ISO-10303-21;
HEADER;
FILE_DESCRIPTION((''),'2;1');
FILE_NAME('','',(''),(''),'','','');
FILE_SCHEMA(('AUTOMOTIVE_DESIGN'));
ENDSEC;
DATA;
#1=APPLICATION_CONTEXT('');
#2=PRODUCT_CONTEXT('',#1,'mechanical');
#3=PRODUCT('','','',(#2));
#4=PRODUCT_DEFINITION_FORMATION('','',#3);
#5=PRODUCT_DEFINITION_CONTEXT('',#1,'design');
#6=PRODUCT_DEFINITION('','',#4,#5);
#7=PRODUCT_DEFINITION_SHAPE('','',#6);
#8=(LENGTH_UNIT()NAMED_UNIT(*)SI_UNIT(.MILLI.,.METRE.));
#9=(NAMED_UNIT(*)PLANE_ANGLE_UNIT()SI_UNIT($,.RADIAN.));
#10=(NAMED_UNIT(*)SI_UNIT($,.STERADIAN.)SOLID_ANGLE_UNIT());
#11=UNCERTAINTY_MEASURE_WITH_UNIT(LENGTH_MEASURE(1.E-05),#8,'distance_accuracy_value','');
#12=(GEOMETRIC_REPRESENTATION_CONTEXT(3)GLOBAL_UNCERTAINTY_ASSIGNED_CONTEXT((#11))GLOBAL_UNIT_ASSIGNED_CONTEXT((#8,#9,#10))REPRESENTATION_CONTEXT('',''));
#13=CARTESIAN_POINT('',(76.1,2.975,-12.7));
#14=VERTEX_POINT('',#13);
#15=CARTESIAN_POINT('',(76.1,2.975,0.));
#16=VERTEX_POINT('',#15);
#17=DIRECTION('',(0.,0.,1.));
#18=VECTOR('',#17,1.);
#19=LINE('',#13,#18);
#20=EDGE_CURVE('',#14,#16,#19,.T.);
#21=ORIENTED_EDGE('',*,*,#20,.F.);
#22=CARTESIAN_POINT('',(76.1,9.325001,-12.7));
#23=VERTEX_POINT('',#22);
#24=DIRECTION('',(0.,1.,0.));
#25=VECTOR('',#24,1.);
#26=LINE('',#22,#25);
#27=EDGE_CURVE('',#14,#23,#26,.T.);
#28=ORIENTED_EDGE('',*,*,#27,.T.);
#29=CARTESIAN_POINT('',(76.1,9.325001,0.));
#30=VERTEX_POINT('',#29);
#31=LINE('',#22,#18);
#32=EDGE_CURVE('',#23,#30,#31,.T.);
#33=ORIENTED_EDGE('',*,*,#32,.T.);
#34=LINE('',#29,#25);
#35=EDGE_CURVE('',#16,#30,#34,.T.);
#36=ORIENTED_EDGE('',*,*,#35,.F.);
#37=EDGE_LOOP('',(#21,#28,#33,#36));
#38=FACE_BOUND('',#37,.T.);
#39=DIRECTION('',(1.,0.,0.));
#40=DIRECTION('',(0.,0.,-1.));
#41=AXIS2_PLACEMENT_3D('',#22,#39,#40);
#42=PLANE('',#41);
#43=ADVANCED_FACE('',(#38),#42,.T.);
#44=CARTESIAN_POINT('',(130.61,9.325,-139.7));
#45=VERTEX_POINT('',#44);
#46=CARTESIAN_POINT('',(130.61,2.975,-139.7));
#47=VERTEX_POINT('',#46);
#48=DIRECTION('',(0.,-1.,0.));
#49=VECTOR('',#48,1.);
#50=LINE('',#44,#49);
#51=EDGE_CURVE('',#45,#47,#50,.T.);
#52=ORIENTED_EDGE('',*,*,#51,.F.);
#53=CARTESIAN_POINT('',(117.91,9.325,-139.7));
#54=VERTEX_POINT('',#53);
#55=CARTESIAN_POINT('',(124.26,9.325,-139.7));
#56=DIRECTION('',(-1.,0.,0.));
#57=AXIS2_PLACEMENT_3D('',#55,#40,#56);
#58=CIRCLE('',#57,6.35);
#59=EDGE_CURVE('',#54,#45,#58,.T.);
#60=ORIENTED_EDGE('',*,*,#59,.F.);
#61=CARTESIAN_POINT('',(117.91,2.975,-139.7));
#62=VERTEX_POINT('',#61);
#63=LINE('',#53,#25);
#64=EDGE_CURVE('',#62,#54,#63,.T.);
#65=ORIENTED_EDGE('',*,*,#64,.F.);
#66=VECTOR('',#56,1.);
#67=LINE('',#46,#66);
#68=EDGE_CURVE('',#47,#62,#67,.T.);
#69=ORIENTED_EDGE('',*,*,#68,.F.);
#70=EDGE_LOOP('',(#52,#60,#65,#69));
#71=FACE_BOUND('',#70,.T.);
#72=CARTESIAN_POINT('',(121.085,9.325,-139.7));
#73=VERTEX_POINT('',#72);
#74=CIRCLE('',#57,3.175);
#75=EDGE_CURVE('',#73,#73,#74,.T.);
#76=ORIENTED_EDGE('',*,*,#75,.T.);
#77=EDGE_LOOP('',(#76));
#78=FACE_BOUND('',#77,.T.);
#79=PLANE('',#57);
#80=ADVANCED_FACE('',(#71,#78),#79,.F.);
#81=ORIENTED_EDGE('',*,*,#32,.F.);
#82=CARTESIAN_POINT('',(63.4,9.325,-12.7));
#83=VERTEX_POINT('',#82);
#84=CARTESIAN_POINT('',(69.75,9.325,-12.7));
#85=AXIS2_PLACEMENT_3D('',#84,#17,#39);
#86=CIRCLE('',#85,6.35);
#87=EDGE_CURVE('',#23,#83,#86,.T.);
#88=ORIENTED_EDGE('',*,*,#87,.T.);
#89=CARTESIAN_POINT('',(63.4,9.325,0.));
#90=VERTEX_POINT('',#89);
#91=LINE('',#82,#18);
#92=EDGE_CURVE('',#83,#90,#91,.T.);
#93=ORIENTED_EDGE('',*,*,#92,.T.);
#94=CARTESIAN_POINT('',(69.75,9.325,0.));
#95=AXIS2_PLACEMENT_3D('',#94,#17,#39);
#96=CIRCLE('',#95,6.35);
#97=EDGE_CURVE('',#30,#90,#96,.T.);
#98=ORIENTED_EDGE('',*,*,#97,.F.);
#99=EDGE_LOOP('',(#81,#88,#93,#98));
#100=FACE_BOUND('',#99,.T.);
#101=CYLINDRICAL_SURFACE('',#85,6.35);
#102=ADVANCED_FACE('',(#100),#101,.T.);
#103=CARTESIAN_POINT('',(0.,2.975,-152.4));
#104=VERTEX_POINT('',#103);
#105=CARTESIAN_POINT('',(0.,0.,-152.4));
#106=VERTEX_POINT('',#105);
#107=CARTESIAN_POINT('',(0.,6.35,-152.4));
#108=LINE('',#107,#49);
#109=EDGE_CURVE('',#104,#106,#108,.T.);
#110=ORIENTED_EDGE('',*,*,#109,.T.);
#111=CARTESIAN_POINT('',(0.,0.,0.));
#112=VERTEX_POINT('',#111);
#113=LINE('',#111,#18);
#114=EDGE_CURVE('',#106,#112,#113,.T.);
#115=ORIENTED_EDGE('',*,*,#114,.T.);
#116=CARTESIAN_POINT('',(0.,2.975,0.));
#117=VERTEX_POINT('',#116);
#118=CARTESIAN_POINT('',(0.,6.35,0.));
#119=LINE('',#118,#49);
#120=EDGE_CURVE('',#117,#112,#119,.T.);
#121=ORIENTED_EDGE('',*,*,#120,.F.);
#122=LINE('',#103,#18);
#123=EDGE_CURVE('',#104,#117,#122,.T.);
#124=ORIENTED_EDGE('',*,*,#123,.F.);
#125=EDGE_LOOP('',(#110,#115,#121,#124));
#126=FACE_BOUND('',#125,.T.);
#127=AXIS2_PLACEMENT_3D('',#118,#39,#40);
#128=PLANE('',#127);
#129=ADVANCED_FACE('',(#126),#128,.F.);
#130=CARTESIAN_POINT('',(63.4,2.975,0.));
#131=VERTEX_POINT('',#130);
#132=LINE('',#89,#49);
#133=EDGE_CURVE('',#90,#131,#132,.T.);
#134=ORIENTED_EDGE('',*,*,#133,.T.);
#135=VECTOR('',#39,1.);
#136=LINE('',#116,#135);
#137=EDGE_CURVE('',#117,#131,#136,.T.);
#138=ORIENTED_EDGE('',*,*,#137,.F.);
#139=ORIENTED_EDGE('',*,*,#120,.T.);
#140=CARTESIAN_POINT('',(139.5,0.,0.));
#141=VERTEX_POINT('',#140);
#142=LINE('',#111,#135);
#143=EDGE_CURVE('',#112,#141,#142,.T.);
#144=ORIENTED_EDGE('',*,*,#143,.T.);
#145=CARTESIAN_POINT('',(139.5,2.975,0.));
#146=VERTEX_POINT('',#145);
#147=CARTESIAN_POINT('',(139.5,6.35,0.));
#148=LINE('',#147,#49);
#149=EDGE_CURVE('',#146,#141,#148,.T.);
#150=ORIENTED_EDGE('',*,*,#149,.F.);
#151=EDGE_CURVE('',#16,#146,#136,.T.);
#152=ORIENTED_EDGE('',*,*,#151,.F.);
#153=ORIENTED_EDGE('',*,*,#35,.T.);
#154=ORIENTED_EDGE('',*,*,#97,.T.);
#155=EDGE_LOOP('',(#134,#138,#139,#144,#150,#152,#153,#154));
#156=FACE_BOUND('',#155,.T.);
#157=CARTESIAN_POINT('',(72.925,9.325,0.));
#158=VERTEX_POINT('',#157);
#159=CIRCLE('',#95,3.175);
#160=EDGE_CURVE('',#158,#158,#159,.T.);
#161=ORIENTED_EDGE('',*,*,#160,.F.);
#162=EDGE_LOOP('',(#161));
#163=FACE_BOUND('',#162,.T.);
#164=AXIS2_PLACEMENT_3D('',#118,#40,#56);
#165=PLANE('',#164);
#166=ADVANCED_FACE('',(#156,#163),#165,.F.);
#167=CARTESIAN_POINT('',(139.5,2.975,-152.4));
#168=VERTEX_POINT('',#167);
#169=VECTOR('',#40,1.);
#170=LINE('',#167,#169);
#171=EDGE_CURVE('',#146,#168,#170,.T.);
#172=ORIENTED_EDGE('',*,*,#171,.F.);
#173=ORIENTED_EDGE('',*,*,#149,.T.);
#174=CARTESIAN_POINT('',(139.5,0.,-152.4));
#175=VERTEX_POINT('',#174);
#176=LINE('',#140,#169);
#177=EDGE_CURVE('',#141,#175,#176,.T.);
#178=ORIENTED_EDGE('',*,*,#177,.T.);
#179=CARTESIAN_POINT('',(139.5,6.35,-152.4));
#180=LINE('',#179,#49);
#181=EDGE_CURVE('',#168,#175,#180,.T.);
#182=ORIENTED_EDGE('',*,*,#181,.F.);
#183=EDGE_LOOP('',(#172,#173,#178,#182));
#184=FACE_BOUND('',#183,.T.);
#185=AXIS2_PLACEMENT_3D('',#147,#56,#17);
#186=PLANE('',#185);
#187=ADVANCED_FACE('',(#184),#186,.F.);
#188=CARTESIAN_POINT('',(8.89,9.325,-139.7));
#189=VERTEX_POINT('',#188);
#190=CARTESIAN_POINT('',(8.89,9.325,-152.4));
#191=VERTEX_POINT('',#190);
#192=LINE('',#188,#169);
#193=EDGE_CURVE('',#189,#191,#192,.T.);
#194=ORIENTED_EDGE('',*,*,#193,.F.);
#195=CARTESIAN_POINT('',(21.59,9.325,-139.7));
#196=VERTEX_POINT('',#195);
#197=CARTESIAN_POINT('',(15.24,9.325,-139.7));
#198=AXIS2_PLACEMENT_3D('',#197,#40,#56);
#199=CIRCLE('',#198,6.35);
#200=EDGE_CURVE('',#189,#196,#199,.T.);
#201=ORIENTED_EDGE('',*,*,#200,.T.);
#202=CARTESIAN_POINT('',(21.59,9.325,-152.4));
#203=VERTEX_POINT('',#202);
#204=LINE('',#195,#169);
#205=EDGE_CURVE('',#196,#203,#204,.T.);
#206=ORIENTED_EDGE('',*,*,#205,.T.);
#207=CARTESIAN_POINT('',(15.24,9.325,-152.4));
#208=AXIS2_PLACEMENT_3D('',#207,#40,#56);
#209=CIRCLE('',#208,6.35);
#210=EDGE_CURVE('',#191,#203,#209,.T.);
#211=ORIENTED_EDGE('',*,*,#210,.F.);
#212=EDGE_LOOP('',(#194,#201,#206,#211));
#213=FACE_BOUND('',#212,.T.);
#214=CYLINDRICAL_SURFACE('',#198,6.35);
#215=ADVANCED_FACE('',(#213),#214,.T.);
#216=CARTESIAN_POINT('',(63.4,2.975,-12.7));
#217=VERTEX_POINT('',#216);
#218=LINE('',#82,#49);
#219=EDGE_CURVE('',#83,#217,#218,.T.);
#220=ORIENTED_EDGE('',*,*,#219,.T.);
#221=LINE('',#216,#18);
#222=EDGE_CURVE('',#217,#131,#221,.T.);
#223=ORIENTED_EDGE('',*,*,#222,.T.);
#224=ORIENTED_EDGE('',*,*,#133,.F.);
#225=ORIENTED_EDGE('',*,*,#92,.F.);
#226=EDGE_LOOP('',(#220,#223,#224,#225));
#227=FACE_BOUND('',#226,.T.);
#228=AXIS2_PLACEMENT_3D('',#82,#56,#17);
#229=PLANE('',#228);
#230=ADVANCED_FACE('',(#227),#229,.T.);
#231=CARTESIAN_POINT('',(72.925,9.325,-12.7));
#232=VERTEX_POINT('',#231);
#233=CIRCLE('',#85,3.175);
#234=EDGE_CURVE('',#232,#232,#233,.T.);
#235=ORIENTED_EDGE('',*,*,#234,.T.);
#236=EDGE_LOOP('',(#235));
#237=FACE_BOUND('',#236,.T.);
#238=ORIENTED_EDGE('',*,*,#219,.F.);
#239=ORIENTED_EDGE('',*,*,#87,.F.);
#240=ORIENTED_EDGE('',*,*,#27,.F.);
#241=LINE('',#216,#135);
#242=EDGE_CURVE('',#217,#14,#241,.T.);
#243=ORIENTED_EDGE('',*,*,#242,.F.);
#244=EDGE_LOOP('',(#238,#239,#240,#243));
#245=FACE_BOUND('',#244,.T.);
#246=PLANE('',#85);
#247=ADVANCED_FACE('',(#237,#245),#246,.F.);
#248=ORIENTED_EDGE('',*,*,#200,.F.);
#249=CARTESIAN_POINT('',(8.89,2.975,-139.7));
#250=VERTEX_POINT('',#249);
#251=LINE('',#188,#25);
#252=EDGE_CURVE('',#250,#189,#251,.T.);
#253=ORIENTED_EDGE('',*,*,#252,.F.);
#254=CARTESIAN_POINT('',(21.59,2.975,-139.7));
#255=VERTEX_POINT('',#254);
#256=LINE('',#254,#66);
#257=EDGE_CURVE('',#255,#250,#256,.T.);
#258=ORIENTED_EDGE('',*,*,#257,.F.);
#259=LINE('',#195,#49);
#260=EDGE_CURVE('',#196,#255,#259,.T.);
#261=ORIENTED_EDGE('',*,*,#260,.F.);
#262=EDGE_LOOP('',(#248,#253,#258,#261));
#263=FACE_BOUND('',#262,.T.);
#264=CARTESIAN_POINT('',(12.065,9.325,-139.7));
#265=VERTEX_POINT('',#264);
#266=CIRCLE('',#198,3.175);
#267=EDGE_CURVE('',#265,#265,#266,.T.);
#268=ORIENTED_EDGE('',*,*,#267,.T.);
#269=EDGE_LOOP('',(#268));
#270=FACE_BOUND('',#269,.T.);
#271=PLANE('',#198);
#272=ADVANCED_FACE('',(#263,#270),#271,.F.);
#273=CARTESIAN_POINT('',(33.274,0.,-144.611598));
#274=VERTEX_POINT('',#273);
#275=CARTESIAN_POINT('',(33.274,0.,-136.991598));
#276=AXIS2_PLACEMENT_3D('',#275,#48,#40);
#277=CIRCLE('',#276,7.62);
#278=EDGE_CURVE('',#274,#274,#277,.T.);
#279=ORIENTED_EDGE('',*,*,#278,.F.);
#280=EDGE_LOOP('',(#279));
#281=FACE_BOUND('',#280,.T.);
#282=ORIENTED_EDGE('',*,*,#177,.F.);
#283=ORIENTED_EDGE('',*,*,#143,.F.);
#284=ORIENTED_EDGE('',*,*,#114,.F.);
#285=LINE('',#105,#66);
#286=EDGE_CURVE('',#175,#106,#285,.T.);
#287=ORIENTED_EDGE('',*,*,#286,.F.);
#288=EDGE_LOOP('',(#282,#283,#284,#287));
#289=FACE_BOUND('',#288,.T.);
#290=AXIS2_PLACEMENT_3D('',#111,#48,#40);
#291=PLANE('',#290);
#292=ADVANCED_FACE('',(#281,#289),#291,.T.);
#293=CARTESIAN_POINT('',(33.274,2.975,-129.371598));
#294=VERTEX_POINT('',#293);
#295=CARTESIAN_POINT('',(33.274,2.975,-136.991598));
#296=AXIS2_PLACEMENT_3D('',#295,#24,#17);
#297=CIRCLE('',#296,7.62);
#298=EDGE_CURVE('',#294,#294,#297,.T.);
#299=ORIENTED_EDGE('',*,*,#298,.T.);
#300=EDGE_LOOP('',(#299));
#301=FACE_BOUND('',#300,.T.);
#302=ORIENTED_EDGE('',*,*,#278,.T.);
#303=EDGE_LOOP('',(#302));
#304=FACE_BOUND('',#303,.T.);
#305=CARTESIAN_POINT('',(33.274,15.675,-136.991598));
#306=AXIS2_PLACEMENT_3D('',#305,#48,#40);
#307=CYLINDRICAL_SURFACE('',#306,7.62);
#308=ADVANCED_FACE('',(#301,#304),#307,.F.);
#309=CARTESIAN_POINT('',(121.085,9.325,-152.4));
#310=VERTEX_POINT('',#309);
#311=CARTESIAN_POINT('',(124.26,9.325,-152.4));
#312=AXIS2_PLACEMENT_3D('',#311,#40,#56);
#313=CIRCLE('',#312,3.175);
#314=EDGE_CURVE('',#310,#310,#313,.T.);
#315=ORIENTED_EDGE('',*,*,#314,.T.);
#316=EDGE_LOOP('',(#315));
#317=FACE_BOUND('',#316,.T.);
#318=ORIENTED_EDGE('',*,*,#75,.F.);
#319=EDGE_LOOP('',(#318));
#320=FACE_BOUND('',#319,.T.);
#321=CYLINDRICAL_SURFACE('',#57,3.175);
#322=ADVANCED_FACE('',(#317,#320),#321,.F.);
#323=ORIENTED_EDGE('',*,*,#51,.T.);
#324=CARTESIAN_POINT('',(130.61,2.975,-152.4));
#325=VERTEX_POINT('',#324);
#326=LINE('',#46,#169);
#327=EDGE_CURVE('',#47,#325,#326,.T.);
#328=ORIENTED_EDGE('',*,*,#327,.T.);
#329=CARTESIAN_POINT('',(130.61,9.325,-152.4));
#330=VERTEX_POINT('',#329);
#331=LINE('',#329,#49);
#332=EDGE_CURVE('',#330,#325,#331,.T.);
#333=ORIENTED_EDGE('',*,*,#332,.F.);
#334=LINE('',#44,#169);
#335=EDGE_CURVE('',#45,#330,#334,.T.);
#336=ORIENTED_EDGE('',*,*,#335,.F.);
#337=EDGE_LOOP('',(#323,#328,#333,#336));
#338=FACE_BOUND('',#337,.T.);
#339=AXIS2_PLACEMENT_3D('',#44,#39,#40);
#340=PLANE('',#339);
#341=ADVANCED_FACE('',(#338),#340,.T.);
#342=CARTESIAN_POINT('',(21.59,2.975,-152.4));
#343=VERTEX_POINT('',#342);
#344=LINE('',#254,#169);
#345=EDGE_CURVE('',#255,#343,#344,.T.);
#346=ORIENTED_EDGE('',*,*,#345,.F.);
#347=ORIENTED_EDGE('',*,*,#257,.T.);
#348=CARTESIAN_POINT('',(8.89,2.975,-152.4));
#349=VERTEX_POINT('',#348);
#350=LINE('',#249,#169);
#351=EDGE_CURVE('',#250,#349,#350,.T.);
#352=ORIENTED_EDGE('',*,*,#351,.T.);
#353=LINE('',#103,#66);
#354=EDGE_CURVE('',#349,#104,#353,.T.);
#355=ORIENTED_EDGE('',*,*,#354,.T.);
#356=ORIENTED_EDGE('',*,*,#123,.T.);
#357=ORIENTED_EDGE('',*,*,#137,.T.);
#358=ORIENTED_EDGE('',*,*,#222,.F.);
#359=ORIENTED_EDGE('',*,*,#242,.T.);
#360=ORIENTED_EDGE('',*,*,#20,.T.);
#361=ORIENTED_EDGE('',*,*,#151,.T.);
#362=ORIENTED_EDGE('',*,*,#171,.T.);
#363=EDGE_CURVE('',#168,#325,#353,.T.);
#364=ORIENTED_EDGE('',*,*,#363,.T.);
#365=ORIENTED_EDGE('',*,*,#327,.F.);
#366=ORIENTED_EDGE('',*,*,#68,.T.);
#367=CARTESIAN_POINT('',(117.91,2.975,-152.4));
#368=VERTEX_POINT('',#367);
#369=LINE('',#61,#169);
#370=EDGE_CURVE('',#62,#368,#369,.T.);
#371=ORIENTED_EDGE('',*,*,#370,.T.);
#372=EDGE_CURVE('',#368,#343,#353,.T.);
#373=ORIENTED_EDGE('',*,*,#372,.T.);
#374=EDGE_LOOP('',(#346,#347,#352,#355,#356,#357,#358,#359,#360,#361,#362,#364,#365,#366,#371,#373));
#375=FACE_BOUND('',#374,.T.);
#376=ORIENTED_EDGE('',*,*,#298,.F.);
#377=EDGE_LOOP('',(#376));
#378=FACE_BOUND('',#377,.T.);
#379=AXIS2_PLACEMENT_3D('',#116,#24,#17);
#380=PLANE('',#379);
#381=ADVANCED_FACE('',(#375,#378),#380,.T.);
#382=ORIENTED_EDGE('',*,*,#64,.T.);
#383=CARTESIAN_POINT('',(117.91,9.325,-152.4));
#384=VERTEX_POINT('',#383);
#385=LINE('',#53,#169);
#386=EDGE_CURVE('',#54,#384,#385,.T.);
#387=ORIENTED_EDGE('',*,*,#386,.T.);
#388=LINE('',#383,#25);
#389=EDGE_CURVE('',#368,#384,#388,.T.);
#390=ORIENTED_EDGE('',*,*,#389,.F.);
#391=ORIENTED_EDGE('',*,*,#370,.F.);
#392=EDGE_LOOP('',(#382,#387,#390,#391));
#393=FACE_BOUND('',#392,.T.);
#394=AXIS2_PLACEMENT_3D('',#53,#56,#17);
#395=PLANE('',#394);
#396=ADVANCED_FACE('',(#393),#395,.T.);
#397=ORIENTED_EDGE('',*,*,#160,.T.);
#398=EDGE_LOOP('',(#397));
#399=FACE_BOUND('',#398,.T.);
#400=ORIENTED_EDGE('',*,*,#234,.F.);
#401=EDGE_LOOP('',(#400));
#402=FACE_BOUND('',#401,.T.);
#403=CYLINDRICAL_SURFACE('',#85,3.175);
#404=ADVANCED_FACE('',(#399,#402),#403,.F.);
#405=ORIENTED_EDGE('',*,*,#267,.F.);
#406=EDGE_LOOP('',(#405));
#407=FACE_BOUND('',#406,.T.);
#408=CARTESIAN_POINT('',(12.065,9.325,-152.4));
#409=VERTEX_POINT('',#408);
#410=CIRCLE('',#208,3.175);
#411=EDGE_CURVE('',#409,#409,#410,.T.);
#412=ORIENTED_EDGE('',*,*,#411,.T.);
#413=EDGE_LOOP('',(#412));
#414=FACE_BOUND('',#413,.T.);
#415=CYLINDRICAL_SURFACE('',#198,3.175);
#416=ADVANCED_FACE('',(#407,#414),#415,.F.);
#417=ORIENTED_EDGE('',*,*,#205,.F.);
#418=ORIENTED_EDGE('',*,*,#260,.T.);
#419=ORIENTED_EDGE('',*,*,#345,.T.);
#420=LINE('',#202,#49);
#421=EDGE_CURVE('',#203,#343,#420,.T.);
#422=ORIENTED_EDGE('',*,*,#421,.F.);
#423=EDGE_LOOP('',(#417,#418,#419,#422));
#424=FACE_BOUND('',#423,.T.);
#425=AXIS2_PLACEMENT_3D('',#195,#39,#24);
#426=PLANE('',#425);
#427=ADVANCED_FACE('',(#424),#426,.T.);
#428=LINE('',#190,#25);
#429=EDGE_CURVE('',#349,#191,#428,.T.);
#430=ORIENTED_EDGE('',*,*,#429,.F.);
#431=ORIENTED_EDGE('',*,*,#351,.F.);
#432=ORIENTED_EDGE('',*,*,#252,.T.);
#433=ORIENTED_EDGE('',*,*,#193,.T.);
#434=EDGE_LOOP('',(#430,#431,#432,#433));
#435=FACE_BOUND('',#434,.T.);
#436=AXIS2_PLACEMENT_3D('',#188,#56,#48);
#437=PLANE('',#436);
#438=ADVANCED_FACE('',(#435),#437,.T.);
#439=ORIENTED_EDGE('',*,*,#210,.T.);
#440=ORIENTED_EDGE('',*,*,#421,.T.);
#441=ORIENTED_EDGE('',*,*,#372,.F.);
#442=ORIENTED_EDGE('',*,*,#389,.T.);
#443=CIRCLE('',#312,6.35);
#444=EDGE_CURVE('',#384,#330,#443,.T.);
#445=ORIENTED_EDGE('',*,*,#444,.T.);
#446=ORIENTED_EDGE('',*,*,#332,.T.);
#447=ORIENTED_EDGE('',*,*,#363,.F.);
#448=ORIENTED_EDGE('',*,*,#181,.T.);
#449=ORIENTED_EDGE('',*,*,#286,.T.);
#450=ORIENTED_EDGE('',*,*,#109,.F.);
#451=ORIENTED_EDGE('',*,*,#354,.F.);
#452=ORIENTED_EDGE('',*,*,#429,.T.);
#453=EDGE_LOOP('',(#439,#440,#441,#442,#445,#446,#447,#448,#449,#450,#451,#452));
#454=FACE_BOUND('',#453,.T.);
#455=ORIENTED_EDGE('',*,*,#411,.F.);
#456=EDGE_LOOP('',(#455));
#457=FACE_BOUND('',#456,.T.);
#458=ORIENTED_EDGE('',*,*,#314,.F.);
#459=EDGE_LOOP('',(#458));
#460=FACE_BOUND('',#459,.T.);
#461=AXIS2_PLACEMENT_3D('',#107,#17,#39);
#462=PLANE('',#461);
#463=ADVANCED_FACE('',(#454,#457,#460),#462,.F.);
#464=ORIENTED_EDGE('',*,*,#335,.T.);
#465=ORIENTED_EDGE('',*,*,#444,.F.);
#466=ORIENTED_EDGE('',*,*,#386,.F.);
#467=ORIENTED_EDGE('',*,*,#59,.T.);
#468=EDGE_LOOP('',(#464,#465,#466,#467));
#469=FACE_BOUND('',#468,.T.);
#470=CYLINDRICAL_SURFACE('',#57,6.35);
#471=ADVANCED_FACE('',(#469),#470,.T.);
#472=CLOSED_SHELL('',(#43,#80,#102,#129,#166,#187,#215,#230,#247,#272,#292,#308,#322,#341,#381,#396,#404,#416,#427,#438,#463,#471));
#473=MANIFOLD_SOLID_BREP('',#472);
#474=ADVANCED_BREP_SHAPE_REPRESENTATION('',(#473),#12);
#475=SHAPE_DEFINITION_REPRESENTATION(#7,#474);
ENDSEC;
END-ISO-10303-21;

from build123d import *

# Parameters (mm, degrees)
SKETCH1_W           = 139.5
SKETCH1_H           = 152.4
BOSS_EXTRUDE1_DEPTH = 6.35
SKETCH2_W           = 139.5
SKETCH2_H           = 152.4
CUT_EXTRUDE1_DEPTH  = 3.375
SKETCH3_R           = 3.175
BOSS_EXTRUDE2_DEPTH = 12.7
SKETCH4_R           = 3.175000001
SKETCH4_R_2         = 3.175
BOSS_EXTRUDE3_DEPTH = 12.7
SKETCH5_R           = 7.62
CUT_EXTRUDE2_DEPTH  = 16.675000317


with BuildPart() as part:
    # Sketch1 → Boss-Extrude1 (new body)
    with BuildSketch(Plane(origin=(0, 0, 0), x_dir=(1, 0, 0), z_dir=(0, 1, 0))):
        with Locations((69.75, 76.2)):
            Rectangle(SKETCH1_W, SKETCH1_H)
    extrude(amount=BOSS_EXTRUDE1_DEPTH)

    # Sketch2 → Cut-Extrude1 (cut)
    with BuildSketch(Plane(origin=(0, 6.35, 0), x_dir=(1, 0, 0), z_dir=(0, 1, 0))):
        with Locations((69.75, 76.2)):
            Rectangle(SKETCH2_W, SKETCH2_H)
    extrude(amount=-CUT_EXTRUDE1_DEPTH, mode=Mode.SUBTRACT)

    # Sketch3 → Boss-Extrude2 (add)
    with BuildSketch(Plane.XY):
        with BuildLine():
            Line((63.4, 9.325), (63.4, 2.975))
            Line((63.4, 2.975), (76.1, 2.975))
            Line((76.1, 2.975), (76.1, 9.325000633))
            ThreePointArc((76.1, 9.325000633), (69.749999683, 15.675000317), (63.4, 9.325))
        make_face()
        with Locations((69.75, 9.325000317)):
            Circle(SKETCH3_R, mode=Mode.SUBTRACT)
    extrude(amount=-BOSS_EXTRUDE2_DEPTH)

    # Sketch4 → Boss-Extrude3 (add)
    with BuildSketch(Plane(origin=(0, 0, -152.4), x_dir=(-1, 0, 0), z_dir=(0, 0, -1))):
        with BuildLine():
            Line((-130.61, 9.325), (-130.61, 2.975))
            Line((-130.61, 2.975), (-117.91, 2.975))
            Line((-117.91, 2.975), (-117.91, 9.325))
            ThreePointArc((-117.91, 9.325), (-124.26, 15.675), (-130.61, 9.325))
        make_face()
        with Locations((-124.26, 9.325)):
            Circle(SKETCH4_R, mode=Mode.SUBTRACT)
        with BuildLine():
            Line((-21.59, 9.325), (-21.59, 2.975))
            Line((-21.59, 2.975), (-8.89, 2.975))
            Line((-8.89, 2.975), (-8.89, 9.325))
            ThreePointArc((-8.89, 9.325), (-15.24, 15.675), (-21.59, 9.325))
        make_face()
        with Locations((-15.24, 9.325)):
            Circle(SKETCH4_R_2, mode=Mode.SUBTRACT)
    extrude(amount=-BOSS_EXTRUDE3_DEPTH)

    # Sketch5 → Cut-Extrude2 (cut, through all)
    with BuildSketch(Plane.XZ):
        with Locations((33.274, -136.991598)):
            Circle(SKETCH5_R)
    extrude(amount=-CUT_EXTRUDE2_DEPTH, mode=Mode.SUBTRACT)


solid = part.part
